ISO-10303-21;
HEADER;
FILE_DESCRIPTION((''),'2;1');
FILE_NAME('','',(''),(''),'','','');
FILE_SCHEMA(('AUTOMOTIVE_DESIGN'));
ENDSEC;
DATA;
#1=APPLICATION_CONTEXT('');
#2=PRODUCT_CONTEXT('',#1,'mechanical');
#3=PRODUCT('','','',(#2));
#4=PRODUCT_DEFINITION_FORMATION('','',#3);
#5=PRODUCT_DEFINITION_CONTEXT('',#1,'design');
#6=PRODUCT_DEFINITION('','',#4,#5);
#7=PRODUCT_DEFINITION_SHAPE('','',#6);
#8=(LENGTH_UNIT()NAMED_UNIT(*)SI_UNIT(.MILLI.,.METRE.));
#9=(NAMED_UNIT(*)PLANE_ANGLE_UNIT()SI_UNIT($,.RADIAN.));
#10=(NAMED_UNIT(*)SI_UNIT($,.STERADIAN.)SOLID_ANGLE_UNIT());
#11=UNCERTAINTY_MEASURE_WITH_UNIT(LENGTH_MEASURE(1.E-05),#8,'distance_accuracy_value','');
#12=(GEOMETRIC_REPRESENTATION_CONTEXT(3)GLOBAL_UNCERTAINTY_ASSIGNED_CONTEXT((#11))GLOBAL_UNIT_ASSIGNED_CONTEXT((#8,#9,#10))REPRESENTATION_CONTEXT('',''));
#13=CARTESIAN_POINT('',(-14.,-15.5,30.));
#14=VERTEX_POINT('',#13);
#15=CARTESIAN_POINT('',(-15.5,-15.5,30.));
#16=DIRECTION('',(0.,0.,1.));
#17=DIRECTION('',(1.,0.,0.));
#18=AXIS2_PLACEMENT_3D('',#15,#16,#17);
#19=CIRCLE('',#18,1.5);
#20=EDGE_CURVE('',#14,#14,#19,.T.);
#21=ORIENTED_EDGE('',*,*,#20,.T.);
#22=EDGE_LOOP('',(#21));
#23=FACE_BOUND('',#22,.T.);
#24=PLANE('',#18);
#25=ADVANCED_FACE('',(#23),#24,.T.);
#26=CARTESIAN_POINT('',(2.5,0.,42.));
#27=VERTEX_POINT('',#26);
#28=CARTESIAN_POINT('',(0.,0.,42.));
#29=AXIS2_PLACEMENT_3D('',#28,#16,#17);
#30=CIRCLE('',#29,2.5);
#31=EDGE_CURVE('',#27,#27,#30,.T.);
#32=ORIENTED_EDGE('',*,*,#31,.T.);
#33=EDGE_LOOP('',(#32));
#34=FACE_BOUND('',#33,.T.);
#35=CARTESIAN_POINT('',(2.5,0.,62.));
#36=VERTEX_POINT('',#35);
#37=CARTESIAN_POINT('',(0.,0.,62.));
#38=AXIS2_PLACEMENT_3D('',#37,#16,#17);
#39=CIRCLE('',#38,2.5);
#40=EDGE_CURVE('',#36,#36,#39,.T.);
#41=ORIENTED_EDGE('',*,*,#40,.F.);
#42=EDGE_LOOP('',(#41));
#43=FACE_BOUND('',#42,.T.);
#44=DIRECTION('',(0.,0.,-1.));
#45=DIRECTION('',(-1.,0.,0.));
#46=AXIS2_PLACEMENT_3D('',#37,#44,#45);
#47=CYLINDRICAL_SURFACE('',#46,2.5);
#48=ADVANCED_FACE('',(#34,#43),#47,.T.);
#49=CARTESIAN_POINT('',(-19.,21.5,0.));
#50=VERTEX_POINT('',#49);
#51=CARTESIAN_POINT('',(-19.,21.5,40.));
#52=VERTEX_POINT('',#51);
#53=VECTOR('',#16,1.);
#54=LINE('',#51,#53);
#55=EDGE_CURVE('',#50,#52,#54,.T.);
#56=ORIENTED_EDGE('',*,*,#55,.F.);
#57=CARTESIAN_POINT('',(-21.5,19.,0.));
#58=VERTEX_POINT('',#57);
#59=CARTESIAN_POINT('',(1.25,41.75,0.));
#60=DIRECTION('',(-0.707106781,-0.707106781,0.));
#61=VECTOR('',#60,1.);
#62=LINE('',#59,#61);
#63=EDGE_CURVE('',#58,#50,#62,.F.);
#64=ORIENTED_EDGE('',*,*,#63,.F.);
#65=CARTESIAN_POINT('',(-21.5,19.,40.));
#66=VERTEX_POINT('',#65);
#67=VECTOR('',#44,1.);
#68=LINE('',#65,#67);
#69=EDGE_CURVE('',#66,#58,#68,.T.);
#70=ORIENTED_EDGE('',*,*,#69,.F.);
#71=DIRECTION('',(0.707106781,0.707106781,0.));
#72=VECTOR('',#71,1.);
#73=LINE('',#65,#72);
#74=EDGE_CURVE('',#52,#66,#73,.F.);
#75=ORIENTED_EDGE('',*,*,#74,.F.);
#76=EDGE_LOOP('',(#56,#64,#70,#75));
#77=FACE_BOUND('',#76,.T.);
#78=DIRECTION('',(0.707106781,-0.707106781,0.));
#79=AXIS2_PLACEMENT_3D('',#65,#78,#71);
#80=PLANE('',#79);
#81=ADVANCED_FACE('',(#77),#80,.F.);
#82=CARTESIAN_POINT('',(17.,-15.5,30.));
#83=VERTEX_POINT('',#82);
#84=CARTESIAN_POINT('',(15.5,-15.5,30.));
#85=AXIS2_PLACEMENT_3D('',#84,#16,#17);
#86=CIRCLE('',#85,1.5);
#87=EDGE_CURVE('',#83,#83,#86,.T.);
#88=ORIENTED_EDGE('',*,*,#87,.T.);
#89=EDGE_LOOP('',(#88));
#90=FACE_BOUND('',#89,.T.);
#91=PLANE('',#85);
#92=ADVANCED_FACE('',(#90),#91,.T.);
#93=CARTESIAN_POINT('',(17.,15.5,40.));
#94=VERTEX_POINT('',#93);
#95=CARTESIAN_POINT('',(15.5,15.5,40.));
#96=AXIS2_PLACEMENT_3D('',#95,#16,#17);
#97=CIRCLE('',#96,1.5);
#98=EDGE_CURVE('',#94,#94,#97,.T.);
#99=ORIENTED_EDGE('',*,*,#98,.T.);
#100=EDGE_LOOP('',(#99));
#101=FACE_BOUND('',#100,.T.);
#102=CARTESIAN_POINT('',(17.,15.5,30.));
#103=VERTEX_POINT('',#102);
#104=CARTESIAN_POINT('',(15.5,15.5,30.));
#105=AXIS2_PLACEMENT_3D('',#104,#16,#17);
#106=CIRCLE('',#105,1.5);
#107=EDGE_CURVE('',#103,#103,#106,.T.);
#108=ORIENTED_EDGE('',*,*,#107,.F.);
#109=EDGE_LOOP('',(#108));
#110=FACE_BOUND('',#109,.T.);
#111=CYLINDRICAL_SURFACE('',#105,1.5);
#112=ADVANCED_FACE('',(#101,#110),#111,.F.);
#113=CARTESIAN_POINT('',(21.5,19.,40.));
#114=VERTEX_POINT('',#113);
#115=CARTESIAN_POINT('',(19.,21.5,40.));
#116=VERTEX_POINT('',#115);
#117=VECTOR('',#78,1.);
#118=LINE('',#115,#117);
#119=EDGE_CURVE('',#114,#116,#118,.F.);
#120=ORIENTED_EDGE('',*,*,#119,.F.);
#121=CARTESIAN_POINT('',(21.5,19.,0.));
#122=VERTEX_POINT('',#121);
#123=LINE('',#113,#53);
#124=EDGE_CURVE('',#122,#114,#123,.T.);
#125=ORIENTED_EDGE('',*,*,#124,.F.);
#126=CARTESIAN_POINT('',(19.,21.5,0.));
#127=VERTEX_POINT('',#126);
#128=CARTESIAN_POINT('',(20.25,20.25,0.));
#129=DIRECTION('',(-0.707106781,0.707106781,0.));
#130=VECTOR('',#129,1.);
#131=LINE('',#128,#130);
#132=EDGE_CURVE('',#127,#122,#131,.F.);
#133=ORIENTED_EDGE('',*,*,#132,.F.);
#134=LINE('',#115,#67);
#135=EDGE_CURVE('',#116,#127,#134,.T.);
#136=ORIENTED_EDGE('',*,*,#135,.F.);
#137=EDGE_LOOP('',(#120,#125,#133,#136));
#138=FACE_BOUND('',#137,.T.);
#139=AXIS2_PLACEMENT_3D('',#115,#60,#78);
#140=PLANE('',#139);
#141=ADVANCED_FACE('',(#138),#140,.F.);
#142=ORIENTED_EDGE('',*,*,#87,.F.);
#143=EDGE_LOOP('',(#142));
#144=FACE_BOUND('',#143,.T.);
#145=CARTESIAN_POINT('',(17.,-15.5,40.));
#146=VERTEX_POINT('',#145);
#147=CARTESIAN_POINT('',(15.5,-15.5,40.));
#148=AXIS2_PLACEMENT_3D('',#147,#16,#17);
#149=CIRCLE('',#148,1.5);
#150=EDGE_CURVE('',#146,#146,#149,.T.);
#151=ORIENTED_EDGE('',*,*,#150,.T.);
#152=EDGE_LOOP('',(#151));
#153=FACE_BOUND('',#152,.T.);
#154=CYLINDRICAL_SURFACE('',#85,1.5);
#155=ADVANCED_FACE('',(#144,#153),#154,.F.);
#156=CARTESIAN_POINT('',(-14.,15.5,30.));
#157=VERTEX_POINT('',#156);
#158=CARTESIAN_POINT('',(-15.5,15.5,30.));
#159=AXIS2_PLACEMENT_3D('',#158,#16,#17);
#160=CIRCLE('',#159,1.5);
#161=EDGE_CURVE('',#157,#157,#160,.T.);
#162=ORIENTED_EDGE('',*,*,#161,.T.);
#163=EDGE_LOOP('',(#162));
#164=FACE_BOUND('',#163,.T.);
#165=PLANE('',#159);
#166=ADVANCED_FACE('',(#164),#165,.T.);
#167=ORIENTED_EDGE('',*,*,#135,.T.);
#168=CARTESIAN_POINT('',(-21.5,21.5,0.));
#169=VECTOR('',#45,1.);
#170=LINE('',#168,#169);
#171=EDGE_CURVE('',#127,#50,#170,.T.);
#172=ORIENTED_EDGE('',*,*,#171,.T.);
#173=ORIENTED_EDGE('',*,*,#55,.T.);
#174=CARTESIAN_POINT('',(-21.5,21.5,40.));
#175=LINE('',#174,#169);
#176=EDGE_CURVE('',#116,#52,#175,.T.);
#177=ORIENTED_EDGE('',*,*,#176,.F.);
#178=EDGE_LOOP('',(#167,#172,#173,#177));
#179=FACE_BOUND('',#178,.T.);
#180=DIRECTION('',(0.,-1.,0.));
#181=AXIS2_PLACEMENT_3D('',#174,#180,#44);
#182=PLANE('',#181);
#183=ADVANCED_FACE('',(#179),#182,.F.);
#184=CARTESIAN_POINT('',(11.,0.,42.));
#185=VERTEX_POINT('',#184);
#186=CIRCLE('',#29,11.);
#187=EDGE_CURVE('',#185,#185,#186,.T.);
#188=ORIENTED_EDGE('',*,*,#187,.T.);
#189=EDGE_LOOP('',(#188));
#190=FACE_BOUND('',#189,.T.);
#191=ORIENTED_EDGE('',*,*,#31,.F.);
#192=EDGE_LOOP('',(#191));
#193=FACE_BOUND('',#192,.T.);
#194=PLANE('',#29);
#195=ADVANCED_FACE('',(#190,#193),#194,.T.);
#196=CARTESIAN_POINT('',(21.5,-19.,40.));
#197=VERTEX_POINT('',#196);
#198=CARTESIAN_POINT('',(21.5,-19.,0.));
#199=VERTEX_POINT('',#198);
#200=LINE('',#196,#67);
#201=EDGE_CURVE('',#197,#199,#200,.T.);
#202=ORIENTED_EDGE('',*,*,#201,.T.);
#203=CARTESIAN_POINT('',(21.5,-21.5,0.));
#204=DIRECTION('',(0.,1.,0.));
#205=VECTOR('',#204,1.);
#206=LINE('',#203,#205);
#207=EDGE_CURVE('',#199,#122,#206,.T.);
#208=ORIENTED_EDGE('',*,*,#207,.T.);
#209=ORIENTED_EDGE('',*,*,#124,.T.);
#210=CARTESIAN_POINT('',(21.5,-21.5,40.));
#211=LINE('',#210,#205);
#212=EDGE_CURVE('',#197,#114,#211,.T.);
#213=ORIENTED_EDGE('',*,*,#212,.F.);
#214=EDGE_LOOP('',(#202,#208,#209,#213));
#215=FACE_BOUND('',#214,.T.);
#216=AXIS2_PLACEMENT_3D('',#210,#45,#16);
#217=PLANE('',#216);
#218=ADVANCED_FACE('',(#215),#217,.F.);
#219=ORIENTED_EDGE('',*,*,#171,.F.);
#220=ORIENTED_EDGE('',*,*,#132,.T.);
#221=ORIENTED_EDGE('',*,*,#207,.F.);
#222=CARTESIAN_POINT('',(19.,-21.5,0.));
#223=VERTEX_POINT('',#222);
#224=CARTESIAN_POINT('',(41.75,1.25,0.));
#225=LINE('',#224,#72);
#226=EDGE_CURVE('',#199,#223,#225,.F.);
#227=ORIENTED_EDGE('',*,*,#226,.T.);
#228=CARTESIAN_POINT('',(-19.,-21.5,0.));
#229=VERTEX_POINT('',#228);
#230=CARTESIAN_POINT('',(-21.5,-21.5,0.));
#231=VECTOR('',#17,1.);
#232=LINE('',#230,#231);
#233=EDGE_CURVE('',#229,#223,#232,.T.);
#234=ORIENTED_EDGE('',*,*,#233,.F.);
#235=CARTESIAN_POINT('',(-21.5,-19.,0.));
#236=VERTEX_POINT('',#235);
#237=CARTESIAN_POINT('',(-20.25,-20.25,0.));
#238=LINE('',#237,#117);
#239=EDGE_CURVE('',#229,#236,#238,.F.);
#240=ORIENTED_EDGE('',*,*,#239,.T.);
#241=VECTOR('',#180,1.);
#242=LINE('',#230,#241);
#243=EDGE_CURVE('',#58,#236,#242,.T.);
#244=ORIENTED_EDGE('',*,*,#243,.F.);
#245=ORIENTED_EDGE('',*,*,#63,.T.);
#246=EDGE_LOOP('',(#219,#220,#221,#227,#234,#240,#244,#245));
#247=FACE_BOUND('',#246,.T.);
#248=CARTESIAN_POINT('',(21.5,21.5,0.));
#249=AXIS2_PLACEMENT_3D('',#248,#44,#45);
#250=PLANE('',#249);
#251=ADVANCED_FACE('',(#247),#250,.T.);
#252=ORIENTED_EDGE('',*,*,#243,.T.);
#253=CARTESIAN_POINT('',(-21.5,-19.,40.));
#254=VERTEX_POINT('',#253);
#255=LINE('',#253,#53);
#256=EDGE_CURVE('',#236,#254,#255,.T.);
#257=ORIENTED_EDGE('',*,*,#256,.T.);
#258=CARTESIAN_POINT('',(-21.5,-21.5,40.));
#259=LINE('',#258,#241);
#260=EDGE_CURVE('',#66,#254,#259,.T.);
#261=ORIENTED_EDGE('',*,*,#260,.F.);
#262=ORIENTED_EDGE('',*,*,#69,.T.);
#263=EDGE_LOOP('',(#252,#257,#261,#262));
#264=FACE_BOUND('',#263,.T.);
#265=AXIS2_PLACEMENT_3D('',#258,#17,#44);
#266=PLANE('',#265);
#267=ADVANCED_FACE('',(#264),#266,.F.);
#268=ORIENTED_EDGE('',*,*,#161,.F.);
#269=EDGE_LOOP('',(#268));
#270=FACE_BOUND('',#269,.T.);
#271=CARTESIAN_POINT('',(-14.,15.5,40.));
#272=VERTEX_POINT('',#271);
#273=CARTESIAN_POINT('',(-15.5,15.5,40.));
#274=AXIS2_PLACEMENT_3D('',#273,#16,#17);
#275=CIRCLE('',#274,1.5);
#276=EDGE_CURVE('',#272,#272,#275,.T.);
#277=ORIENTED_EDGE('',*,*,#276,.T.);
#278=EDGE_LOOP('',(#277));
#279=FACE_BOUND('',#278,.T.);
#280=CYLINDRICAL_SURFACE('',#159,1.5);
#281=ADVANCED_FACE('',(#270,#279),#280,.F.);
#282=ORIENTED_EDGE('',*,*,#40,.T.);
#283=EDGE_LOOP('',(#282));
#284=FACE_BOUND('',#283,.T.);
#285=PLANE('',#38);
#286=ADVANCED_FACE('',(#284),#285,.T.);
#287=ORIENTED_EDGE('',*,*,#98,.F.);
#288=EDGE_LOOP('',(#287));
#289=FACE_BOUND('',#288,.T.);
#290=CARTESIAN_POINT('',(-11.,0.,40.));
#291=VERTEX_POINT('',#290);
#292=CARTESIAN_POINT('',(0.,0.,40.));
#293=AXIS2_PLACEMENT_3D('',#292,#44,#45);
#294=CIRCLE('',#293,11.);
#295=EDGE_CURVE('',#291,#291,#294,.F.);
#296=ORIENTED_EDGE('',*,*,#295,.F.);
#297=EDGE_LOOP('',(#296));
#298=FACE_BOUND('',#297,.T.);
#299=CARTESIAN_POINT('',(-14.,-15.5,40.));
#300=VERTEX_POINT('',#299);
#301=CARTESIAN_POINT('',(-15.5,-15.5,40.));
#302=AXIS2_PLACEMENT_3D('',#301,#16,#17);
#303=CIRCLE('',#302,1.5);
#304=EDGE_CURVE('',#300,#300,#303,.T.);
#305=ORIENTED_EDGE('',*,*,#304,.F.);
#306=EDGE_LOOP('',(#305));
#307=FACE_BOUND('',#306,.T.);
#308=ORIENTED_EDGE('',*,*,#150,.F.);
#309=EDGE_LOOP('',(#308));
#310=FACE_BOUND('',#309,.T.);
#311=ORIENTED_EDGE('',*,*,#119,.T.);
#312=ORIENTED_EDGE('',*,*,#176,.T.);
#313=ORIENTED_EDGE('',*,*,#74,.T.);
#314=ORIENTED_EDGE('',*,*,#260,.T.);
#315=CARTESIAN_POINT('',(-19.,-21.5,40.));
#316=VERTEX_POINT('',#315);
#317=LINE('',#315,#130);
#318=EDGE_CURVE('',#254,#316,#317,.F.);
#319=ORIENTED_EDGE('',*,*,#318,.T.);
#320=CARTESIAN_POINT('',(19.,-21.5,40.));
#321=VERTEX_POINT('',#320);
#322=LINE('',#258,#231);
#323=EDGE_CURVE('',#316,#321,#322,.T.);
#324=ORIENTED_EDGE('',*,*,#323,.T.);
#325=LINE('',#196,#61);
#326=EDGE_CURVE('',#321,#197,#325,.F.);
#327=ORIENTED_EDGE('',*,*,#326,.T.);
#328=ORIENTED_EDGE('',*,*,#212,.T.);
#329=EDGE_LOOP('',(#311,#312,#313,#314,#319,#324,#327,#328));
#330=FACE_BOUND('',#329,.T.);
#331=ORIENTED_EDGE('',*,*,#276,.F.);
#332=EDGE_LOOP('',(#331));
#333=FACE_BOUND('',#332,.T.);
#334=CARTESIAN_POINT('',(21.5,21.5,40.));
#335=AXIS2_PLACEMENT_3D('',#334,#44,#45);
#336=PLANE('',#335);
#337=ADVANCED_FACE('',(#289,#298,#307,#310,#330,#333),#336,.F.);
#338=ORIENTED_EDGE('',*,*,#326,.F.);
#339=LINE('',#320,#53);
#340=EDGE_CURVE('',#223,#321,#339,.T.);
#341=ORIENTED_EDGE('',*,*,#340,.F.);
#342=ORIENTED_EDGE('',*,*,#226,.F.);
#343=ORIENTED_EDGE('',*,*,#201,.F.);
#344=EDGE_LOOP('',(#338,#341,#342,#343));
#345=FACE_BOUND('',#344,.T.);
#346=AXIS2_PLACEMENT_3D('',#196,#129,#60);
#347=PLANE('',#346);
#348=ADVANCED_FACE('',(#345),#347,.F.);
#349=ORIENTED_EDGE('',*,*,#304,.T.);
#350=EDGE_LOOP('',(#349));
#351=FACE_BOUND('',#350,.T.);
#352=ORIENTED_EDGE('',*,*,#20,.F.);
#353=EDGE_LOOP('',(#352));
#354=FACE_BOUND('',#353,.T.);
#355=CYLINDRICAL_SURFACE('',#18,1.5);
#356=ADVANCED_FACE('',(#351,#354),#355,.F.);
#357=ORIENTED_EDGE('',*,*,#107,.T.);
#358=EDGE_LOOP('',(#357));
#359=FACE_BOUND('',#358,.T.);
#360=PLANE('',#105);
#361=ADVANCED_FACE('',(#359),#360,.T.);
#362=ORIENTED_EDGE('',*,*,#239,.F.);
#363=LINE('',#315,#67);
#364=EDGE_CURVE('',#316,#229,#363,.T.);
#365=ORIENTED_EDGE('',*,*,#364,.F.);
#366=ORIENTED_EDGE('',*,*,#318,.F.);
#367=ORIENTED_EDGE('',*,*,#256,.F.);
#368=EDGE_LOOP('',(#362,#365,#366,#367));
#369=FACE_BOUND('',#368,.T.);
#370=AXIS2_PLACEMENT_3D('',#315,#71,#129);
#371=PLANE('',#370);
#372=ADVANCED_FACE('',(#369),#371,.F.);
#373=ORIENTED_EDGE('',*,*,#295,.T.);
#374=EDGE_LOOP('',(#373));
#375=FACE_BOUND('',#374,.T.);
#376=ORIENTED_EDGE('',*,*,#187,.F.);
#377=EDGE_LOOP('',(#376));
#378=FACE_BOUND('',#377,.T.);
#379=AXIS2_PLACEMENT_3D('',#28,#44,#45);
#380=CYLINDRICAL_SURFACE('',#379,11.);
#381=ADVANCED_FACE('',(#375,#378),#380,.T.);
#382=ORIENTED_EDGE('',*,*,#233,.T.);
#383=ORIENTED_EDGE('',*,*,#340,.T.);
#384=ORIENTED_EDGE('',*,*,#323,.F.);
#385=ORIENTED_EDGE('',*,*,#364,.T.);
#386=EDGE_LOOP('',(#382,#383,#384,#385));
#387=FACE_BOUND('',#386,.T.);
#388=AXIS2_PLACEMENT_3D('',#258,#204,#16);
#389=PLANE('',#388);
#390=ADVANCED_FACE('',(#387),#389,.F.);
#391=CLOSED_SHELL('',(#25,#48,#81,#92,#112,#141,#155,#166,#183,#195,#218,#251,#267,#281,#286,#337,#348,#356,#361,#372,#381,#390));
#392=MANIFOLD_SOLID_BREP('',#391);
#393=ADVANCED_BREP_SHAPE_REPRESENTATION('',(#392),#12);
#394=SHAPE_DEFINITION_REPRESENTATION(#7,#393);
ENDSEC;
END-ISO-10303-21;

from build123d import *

# Parameters (mm, degrees)
SKETCH1_W           = 43
SKETCH1_H           = 43
BOSS_EXTRUDE1_DEPTH = 40
CHAMFER1_SIZE       = 2.5
SKETCH2_R           = 11
BOSS_EXTRUDE2_DEPTH = 2
SKETCH3_R           = 2.5
BOSS_EXTRUDE3_DEPTH = 20
SKETCH4_R           = 1.5
CUT_EXTRUDE1_DEPTH  = 10


with BuildPart() as part:
    # Sketch1 → Boss-Extrude1 (new body)
    with BuildSketch(Plane.XY):
        Rectangle(SKETCH1_W, SKETCH1_H)
    extrude(amount=BOSS_EXTRUDE1_DEPTH)

    # Chamfer1
    chamfer1_edges = [part.edges().sort_by_distance(p)[0] for p in [
        (21.5, -21.5, 20),
        (-21.5, -21.5, 20),
        (-21.5, 21.5, 20),
        (21.5, 21.5, 20),
    ]]
    chamfer(chamfer1_edges, length=CHAMFER1_SIZE)

    # Sketch2 → Boss-Extrude2 (add)
    with BuildSketch(Plane.XY.offset(40)):
        Circle(SKETCH2_R)
    extrude(amount=BOSS_EXTRUDE2_DEPTH)

    # Sketch3 → Boss-Extrude3 (add)
    with BuildSketch(Plane.XY.offset(42)):
        Circle(SKETCH3_R)
    extrude(amount=BOSS_EXTRUDE3_DEPTH)

    # Sketch4 → Cut-Extrude1 (cut)
    with BuildSketch(Plane.XY.offset(40)):
        with Locations((-15.5, 15.5)):
            Circle(SKETCH4_R)
        with Locations((15.5, 15.5)):
            Circle(SKETCH4_R)
        with Locations((15.5, -15.5)):
            Circle(SKETCH4_R)
        with Locations((-15.5, -15.5)):
            Circle(SKETCH4_R)
    extrude(amount=-CUT_EXTRUDE1_DEPTH, mode=Mode.SUBTRACT)


solid = part.part
